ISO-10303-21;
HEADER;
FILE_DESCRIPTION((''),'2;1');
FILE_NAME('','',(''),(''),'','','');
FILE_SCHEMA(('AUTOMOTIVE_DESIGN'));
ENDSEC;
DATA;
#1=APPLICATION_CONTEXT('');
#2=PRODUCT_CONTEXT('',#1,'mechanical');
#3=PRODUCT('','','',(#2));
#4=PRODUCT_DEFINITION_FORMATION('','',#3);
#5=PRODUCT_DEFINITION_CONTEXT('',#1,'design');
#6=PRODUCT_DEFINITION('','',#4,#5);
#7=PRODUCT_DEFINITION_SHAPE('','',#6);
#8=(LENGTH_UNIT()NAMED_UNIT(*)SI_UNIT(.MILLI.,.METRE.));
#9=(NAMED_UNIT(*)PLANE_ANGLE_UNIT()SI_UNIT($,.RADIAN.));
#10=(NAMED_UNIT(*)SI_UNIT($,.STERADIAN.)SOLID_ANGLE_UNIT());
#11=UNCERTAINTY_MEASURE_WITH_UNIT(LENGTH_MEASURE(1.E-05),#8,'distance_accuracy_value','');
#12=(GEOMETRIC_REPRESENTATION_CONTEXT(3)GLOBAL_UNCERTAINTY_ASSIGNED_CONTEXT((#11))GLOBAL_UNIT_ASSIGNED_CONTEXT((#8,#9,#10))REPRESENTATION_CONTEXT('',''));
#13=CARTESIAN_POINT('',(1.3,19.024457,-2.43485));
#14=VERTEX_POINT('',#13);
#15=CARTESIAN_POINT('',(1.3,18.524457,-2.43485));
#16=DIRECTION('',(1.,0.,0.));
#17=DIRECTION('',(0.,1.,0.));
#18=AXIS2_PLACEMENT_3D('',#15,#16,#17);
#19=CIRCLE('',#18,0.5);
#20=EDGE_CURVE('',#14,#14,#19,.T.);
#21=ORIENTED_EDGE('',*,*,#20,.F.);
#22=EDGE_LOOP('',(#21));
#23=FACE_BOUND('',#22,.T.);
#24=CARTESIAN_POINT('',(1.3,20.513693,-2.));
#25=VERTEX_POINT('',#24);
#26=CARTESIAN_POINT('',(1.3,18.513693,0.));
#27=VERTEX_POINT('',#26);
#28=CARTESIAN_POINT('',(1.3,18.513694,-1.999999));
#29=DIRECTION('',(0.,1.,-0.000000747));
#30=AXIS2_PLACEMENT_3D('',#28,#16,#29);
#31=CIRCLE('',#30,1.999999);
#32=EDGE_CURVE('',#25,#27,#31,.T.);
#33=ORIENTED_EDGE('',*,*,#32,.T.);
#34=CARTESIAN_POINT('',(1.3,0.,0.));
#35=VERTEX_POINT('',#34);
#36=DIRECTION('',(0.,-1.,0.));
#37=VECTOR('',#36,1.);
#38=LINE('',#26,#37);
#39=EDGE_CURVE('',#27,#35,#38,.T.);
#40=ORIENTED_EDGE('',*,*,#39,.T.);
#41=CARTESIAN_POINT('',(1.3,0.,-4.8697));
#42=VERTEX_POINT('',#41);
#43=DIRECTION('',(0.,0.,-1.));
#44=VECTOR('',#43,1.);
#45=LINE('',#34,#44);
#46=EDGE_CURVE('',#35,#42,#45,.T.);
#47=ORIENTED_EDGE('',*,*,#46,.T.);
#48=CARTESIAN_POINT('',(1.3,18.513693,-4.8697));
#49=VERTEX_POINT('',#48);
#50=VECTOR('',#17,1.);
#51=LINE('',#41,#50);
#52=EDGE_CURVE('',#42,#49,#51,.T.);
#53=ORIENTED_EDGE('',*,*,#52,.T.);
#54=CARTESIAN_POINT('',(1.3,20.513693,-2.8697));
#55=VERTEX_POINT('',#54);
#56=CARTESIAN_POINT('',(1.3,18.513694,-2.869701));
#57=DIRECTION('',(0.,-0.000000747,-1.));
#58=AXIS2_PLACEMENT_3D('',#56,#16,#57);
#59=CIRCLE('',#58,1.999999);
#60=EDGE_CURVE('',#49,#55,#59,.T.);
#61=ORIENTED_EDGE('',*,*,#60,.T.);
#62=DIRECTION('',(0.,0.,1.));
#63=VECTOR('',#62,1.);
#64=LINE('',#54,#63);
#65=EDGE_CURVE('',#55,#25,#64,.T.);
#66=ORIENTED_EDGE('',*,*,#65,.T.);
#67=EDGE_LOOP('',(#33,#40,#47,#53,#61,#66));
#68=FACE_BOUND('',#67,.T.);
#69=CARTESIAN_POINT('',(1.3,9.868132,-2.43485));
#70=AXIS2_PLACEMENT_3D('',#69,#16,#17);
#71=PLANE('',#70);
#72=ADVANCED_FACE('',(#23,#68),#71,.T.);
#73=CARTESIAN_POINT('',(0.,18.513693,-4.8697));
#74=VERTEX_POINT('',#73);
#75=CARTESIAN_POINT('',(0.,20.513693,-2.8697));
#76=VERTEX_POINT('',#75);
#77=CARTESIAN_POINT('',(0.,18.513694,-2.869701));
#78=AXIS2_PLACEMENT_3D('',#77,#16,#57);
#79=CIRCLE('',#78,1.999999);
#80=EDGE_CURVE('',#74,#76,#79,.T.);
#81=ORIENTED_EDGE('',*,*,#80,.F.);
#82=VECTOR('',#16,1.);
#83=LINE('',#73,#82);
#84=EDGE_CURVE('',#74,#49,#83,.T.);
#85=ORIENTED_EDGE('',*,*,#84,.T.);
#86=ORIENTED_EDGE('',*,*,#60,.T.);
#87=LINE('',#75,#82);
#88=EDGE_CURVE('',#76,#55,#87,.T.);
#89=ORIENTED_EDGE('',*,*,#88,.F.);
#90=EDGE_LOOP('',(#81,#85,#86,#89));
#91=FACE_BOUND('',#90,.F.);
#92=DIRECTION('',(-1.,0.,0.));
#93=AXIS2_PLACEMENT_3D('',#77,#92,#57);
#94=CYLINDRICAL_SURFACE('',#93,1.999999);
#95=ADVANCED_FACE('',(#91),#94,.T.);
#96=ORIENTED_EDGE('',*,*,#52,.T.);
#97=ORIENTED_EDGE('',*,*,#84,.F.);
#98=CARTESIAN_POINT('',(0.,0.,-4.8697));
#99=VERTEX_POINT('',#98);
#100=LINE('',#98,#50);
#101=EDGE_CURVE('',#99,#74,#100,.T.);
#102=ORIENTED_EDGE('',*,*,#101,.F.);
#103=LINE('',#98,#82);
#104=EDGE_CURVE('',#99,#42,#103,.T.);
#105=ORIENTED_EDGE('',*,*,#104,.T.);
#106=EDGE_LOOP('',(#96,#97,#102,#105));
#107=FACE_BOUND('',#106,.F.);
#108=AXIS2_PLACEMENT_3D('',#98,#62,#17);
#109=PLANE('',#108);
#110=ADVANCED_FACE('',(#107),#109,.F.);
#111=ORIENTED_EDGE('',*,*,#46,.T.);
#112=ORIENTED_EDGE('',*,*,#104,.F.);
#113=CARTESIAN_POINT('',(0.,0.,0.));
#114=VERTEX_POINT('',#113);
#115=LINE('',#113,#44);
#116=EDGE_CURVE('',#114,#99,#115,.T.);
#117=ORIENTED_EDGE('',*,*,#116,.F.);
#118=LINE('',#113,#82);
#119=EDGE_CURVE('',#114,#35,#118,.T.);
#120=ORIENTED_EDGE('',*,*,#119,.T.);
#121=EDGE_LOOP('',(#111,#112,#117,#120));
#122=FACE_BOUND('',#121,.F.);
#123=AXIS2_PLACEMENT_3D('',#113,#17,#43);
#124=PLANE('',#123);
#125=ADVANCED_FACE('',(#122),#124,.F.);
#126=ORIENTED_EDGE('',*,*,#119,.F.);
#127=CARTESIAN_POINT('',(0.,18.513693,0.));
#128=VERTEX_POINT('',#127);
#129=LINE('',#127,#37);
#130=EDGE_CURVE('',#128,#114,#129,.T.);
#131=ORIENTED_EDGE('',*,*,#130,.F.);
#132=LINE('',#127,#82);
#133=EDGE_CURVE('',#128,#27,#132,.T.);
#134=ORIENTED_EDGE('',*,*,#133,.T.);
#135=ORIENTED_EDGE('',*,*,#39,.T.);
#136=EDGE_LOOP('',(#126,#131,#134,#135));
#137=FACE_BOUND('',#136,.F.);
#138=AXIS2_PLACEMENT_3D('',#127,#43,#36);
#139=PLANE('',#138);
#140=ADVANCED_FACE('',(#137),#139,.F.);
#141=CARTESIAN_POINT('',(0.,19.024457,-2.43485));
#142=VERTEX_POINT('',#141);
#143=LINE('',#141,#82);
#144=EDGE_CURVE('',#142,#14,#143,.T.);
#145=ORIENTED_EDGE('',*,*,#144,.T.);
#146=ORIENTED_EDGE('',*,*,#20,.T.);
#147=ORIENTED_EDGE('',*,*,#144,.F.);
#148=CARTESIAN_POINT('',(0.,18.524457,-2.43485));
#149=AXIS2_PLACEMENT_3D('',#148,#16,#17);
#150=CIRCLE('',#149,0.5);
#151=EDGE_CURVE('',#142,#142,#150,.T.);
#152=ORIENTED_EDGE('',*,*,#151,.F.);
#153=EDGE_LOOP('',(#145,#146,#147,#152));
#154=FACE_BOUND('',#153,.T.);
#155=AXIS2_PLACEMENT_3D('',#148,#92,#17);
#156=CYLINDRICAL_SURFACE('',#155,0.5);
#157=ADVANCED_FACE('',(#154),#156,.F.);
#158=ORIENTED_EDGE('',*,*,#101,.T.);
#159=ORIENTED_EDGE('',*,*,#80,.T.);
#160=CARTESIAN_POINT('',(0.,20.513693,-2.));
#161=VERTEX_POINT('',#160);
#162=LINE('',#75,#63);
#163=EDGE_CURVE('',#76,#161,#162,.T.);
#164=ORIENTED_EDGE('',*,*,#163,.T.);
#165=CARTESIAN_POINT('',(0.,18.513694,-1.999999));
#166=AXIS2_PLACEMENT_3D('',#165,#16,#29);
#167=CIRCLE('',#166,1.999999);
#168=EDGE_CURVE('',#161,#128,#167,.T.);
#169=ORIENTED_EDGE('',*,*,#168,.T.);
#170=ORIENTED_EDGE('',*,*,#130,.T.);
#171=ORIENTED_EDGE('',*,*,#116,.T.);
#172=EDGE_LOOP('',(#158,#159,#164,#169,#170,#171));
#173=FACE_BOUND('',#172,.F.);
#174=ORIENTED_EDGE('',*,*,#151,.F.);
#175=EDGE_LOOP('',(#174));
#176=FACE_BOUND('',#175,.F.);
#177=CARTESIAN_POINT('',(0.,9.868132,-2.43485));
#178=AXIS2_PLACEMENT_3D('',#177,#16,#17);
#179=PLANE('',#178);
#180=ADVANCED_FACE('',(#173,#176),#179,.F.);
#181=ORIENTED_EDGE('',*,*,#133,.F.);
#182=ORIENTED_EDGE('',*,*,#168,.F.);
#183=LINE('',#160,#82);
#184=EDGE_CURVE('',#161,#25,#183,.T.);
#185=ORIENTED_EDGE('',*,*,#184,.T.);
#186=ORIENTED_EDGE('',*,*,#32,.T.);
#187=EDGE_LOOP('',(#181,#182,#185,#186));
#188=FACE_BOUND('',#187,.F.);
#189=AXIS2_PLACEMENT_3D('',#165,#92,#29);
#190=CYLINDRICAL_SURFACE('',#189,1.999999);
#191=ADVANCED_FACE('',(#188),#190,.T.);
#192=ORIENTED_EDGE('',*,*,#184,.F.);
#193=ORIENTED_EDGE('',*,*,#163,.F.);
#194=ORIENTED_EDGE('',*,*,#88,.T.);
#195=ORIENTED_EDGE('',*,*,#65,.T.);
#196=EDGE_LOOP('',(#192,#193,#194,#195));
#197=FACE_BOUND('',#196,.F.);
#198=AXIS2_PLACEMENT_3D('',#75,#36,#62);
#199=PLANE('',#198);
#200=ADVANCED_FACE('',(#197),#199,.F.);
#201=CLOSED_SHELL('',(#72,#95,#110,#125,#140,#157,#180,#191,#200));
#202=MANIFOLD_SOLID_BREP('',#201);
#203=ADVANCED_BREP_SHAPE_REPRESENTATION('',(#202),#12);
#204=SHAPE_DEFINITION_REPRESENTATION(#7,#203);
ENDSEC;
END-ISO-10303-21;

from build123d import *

# Parameters (mm, degrees)
F0_R     = 0.5
F1_DEPTH = 1.3


with BuildPart() as f1:
    # F0 (on Right) → F1 (new body)
    with BuildSketch(Plane.YZ):
        with BuildLine():
            Line((18.513693, 0), (0, 0))
            Line((0, 0), (0, -4.8697))
            Line((0, -4.8697), (18.513693, -4.8697))
            ThreePointArc((18.513693, -4.8697), (19.927907, -4.283914), (20.513693, -2.8697))
            Line((20.513693, -2.8697), (20.513693, -2))
            ThreePointArc((20.513693, -2), (19.927907, -0.585786), (18.513693, 0))
        make_face()
        with Locations((18.524457, -2.43485)):
            Circle(F0_R, mode=Mode.SUBTRACT)
    extrude(amount=F1_DEPTH)


solid = f1.part
